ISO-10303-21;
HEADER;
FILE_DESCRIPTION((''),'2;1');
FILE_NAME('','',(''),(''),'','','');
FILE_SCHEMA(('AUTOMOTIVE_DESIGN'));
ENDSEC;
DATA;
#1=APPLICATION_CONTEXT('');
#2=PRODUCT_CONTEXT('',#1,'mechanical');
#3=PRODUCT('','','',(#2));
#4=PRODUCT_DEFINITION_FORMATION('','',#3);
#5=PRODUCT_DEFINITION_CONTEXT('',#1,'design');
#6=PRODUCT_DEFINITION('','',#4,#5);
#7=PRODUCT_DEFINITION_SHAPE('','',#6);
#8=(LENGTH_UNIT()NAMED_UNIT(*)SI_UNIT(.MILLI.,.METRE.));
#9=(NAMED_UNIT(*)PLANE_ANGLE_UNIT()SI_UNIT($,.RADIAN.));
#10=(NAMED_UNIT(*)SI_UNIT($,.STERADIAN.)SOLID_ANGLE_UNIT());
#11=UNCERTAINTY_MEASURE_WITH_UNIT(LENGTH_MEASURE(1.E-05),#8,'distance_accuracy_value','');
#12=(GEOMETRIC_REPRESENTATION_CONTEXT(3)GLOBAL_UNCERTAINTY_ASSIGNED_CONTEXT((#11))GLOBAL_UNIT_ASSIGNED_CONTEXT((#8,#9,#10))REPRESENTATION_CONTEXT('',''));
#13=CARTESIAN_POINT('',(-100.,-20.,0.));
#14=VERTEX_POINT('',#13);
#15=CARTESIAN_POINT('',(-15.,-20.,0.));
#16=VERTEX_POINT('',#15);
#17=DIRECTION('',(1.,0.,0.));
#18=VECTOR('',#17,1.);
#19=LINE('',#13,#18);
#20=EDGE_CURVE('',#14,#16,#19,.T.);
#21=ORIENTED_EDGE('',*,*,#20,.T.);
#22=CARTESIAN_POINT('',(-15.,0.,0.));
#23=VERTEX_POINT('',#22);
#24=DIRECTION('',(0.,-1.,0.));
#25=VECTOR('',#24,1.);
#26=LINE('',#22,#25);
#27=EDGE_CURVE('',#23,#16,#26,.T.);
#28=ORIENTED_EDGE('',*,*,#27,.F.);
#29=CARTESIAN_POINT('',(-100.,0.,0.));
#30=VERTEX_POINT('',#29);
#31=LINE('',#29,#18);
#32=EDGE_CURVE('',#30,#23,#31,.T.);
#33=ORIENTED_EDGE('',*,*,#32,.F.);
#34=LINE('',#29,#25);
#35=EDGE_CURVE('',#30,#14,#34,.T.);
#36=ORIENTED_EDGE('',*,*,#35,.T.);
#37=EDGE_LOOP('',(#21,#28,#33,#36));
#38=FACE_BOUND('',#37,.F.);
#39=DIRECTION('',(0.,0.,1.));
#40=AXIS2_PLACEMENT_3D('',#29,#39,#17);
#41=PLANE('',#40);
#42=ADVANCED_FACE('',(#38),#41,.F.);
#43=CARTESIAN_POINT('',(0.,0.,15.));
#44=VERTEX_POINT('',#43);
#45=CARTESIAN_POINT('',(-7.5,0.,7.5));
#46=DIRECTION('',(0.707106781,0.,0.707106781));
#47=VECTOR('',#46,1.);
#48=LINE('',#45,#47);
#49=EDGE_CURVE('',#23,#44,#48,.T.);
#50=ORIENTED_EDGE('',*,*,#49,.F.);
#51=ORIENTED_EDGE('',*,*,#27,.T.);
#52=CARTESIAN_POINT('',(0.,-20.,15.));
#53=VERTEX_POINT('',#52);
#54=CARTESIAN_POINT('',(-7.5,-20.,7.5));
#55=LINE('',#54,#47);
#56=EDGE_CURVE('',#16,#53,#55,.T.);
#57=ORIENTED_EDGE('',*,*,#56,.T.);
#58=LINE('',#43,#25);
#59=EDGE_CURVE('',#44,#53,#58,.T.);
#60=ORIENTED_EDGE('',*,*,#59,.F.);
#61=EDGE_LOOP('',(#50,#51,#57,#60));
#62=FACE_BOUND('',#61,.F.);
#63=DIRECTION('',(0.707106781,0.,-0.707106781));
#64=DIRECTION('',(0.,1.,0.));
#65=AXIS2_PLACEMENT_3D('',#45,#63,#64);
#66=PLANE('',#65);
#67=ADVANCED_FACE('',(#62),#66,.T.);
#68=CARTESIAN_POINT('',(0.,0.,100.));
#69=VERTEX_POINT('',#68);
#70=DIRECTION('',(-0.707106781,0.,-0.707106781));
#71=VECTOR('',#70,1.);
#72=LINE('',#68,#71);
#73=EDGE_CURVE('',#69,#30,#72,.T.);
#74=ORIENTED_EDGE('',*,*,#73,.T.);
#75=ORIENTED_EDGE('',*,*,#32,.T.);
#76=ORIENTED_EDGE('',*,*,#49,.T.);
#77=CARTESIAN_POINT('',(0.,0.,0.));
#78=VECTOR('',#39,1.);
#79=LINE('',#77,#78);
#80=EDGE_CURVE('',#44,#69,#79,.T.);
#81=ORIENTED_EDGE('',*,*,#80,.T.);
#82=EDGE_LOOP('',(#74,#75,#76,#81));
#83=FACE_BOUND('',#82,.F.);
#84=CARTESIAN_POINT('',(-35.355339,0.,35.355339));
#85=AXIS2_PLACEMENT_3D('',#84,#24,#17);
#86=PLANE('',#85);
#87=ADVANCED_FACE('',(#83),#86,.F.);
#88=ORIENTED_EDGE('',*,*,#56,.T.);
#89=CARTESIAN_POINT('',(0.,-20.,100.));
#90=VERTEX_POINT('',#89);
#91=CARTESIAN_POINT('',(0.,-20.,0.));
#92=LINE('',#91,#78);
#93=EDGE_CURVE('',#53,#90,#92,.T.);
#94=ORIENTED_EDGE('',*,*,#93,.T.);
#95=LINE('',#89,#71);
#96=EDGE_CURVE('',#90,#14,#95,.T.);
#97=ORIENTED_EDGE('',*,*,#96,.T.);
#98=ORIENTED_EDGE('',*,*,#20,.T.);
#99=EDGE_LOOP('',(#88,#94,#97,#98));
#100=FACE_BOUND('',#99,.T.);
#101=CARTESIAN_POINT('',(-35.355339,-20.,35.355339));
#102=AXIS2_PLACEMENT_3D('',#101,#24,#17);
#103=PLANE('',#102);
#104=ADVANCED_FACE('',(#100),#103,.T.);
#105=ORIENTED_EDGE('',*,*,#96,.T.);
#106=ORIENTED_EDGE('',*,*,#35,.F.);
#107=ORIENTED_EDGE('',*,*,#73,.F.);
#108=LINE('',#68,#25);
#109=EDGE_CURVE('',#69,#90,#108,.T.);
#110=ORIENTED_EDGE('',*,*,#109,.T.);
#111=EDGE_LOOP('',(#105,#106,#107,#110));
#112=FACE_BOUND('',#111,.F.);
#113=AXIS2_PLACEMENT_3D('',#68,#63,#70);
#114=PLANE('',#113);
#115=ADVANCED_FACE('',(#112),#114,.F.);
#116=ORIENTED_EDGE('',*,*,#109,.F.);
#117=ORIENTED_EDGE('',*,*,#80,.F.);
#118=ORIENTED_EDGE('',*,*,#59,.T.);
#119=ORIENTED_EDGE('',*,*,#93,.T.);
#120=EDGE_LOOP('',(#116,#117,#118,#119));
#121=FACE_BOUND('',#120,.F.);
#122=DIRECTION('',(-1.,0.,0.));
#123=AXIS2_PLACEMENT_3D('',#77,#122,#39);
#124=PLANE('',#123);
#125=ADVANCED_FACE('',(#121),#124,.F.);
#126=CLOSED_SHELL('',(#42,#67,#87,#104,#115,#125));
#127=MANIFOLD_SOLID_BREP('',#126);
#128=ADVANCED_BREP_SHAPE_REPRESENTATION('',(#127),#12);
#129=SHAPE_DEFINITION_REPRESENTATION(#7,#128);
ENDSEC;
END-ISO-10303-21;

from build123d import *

# Parameters (mm, degrees)
F1_DEPTH = 20
F2_SIZE  = 15


with BuildPart() as f1:
    # F0 (on Front) → F1 (new body)
    with BuildSketch(Plane.XZ):
        Polygon((-100, 0), (0, 0), (0, 100), align=None)
    extrude(amount=F1_DEPTH)

    # F2
    f2_edges = [f1.edges().sort_by_distance(p)[0] for p in [
        (0, -10, 0),
    ]]
    chamfer(f2_edges, length=F2_SIZE)


solid = f1.part
